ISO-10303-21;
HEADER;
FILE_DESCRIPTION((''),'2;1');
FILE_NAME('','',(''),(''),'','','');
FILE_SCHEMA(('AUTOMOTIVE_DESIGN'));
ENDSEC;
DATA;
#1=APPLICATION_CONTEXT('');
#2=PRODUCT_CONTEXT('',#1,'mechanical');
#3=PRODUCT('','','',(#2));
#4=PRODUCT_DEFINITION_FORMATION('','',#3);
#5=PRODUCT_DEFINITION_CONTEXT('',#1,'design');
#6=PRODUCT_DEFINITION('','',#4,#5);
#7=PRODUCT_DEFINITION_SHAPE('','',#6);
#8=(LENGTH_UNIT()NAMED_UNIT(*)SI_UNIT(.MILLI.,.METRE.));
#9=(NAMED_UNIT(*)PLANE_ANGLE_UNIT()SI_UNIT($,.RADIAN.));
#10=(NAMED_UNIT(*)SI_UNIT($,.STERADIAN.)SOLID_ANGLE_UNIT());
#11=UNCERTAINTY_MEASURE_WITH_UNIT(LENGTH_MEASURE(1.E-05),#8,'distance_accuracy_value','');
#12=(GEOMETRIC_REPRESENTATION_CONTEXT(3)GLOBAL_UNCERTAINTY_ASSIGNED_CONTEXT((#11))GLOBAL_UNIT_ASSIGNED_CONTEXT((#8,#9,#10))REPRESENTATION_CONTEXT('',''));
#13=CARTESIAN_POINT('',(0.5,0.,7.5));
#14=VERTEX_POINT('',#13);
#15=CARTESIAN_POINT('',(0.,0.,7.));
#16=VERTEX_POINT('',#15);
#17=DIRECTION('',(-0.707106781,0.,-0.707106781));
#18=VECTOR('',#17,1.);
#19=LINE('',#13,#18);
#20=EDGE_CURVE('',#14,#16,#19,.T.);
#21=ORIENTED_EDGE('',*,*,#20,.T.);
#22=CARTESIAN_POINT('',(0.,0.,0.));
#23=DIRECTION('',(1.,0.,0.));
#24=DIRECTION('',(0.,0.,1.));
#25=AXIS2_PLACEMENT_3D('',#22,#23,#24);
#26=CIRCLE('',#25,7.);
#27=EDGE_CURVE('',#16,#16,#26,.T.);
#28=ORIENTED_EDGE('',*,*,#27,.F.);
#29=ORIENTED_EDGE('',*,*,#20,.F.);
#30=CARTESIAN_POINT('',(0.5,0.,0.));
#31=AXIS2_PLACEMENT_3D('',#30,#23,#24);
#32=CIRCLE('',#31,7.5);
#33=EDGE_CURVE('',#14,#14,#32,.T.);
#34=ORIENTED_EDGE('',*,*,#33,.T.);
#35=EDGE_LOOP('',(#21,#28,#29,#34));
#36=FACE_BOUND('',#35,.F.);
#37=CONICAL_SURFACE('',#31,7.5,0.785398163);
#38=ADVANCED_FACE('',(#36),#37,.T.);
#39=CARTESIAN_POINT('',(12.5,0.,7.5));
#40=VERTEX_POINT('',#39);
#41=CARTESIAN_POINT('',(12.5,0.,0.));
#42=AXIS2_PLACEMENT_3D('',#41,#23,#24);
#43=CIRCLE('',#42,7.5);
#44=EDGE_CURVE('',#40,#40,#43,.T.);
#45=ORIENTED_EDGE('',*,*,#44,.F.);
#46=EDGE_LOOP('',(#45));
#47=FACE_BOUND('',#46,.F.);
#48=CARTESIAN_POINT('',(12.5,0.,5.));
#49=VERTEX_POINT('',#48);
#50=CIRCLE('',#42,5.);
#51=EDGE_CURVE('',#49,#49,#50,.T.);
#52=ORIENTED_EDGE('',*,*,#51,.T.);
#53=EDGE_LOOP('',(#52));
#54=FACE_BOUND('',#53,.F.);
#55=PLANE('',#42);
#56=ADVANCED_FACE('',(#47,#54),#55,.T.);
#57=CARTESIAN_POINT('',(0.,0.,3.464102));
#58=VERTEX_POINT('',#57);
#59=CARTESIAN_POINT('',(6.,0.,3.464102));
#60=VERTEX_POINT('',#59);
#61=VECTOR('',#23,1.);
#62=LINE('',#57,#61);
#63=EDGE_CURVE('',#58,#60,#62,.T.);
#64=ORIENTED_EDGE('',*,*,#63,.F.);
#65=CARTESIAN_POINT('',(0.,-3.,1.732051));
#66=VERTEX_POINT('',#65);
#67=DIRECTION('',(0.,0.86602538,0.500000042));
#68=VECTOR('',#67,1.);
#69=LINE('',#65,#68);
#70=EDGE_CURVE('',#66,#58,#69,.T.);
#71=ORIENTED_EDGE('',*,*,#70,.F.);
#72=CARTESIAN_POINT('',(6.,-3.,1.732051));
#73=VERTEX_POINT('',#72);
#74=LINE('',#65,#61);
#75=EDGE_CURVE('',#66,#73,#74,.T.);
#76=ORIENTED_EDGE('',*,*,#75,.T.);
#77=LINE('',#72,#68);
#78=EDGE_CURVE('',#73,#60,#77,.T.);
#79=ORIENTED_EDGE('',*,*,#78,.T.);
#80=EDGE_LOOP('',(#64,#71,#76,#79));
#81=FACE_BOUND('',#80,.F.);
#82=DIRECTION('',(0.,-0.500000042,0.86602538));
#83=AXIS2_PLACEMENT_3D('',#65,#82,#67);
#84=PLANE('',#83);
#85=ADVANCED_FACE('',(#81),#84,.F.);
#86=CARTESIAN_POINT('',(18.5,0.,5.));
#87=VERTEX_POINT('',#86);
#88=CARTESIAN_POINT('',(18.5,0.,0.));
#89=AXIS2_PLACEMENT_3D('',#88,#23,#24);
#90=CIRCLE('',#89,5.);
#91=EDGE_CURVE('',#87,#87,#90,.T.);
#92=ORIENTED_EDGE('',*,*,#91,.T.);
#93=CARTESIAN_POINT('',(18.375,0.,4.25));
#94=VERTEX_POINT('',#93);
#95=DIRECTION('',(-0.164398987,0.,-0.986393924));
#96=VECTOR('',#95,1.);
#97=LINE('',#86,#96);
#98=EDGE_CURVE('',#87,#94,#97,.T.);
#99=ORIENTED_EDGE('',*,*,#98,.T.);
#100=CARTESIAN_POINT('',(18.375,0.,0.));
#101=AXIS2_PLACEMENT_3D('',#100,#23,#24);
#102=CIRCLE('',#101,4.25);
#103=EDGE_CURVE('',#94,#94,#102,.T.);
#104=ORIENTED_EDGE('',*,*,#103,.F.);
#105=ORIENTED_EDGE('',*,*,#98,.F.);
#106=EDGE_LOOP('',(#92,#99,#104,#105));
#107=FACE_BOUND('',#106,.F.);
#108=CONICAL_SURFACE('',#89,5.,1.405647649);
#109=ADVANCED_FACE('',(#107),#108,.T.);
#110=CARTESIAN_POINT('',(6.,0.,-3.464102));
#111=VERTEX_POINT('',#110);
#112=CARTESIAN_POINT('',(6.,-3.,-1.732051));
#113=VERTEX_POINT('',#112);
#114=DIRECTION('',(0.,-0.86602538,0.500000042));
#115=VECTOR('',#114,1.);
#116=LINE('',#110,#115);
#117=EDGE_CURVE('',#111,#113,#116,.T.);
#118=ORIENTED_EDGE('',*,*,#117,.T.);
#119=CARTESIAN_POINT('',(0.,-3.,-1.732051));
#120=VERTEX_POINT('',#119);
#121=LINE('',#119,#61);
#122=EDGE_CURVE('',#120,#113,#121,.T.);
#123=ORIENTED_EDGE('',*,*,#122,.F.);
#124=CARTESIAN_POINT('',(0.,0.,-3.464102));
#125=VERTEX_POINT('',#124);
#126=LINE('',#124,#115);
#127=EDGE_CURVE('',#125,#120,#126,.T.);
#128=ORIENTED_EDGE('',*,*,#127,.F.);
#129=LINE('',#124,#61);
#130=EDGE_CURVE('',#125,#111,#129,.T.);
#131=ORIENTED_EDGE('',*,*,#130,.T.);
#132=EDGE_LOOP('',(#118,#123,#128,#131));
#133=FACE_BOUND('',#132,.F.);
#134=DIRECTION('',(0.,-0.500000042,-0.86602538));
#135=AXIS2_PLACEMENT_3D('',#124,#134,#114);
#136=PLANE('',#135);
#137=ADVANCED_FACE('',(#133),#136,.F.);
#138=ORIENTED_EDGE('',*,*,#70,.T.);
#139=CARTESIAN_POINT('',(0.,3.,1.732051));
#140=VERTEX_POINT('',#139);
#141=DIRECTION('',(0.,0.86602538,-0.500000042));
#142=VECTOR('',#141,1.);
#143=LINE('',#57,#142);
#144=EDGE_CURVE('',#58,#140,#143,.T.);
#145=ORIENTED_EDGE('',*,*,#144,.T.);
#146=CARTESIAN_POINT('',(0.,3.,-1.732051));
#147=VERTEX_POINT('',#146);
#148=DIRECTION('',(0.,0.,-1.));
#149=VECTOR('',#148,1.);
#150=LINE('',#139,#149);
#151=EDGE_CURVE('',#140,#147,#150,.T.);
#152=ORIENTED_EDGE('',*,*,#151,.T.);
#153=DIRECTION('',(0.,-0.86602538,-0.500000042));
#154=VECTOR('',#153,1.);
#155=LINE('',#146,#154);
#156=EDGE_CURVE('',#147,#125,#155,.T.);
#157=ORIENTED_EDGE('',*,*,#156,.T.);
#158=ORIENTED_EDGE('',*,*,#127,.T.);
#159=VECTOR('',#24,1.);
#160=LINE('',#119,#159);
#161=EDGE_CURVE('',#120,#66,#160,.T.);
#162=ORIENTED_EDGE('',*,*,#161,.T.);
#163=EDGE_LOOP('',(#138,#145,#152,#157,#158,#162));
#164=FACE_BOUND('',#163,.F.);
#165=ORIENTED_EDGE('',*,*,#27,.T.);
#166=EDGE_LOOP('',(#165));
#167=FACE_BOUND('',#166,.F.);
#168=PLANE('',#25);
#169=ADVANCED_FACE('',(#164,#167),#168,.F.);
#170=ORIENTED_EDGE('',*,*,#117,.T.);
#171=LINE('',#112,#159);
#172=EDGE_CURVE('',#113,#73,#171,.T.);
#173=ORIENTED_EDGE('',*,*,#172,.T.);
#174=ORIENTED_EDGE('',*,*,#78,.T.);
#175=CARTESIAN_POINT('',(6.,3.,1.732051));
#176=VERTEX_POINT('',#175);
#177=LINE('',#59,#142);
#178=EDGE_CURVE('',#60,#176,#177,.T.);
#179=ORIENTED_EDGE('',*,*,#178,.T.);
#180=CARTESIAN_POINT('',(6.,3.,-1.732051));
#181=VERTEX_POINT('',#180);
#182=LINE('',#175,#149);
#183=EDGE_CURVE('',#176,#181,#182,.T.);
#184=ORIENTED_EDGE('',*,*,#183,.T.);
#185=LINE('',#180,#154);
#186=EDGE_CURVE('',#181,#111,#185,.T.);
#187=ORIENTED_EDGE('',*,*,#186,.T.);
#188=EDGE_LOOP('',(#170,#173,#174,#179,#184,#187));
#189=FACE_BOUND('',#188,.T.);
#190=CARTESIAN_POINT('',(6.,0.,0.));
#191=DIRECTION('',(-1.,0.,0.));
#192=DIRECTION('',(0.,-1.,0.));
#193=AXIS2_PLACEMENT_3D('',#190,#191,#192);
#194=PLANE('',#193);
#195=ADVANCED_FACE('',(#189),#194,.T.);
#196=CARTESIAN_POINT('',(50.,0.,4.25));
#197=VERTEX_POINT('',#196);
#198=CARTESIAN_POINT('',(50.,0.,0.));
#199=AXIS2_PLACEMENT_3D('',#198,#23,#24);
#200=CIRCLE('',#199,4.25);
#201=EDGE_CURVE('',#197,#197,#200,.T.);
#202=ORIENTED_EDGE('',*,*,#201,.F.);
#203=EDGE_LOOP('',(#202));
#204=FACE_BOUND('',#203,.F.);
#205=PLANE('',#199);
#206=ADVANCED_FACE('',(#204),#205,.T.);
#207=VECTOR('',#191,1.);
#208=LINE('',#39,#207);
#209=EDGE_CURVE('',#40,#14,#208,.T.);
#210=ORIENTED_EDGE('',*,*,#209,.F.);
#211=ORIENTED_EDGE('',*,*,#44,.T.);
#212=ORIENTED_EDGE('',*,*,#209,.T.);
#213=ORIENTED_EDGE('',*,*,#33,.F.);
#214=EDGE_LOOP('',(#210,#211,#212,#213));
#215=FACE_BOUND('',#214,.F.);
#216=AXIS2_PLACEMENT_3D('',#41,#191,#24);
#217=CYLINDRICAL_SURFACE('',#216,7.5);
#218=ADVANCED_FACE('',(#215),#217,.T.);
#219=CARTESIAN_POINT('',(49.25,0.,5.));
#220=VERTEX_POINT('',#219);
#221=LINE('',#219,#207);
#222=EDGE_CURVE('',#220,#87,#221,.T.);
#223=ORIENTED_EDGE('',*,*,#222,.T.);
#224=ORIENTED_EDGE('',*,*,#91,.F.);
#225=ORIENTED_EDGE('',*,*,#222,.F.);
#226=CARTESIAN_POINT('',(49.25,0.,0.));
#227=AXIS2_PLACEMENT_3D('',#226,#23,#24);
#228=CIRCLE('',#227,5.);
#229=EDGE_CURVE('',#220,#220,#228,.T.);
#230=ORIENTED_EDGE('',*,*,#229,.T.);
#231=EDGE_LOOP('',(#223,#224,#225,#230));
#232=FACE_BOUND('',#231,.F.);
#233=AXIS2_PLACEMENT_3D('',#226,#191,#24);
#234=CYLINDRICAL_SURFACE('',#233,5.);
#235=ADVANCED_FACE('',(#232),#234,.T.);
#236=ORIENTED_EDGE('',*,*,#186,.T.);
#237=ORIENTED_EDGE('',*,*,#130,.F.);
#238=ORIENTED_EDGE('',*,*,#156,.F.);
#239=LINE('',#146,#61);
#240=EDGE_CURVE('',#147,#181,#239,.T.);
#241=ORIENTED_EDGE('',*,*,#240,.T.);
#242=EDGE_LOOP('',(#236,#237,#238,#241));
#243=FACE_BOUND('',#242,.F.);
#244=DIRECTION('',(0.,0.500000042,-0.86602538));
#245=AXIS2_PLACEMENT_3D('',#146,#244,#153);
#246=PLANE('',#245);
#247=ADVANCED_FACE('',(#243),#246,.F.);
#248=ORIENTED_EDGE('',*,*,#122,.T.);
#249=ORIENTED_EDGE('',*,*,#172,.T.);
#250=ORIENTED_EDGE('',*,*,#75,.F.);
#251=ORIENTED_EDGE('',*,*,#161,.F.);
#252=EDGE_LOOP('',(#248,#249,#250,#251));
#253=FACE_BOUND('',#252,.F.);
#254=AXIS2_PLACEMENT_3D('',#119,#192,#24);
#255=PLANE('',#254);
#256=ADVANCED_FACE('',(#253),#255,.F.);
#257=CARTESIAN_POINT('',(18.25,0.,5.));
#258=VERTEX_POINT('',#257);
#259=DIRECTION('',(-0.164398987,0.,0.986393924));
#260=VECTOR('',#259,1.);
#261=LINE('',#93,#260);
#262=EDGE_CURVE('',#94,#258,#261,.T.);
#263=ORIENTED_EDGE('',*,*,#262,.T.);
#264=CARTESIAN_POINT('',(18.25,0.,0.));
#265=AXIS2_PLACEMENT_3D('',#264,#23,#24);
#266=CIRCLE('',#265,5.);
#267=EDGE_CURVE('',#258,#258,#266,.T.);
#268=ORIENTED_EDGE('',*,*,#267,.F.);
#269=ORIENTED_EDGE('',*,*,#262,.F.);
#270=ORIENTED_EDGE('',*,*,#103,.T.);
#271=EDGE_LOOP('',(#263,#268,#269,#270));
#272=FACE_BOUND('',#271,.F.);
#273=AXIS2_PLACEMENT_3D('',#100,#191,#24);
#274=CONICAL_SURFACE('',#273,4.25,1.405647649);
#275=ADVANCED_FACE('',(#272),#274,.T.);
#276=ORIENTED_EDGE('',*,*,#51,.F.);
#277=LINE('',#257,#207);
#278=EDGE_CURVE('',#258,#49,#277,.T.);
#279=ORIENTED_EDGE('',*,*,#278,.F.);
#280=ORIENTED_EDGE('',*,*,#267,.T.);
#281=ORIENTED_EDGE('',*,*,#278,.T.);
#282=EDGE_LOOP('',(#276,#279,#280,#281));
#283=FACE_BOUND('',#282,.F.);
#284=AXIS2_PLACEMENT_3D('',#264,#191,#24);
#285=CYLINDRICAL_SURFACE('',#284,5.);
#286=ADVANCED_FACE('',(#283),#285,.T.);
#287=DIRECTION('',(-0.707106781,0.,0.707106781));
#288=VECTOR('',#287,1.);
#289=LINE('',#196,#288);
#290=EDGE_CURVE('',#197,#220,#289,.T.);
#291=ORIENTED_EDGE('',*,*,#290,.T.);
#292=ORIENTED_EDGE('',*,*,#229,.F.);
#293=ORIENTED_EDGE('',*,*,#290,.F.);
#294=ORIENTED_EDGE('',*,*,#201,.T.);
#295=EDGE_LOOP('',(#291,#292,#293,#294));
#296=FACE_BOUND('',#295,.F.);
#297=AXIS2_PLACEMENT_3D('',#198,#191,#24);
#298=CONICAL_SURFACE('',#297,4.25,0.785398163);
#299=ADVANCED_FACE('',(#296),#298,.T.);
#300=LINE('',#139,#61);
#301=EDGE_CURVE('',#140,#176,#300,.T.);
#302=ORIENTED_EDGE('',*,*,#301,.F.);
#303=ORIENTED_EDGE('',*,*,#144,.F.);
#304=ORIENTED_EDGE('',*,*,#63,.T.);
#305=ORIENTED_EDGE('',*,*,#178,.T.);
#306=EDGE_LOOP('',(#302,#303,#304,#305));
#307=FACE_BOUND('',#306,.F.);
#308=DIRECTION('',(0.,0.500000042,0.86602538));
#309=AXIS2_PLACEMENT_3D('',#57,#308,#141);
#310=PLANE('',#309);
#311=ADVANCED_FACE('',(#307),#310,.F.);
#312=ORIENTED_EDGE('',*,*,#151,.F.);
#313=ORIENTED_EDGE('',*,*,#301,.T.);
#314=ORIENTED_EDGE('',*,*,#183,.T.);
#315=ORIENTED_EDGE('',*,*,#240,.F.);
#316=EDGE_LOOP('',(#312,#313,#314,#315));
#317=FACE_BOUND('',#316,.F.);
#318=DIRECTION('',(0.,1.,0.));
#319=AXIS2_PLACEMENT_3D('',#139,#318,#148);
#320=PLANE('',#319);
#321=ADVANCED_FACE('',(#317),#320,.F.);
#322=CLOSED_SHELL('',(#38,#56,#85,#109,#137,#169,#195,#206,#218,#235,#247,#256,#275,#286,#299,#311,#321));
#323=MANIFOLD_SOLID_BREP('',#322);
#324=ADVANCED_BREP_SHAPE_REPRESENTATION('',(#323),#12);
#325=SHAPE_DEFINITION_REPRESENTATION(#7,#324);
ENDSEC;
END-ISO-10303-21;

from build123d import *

# Parameters (mm, degrees)
F2_SIZE  = 0.5
F4_DEPTH = 6


with BuildPart() as f1:
    # F0 (on Front) → F1 (revolve)
    with BuildSketch(Plane.XZ):
        Polygon((12.5, 5), (12.5, 7.5), (0, 7.5), (0, 0), (50, 0), (50, 4.25), (49.25, 5), (18.5, 5), (18.375, 4.25), (18.25, 5), align=None)
    revolve(axis=Axis((25, 0, 0), (1, 0, 0)))

    # F2
    f2_edges = [f1.edges().sort_by_distance(p)[0] for p in [
        (0, 0, -7.5),
    ]]
    chamfer(f2_edges, length=F2_SIZE)

    # F3 (on face) → F4 (cut)
    with BuildSketch(Plane(origin=(0, 0, 0), x_dir=(0, -1, 0), z_dir=(-1, 0, 0))):
        Polygon((0, -3.464102), (3, -1.732051), (3, 1.732051), (0, 3.464102), (-3, 1.732051), (-3, -1.732051), align=None)
    extrude(amount=-F4_DEPTH, mode=Mode.SUBTRACT)


solid = f1.part
